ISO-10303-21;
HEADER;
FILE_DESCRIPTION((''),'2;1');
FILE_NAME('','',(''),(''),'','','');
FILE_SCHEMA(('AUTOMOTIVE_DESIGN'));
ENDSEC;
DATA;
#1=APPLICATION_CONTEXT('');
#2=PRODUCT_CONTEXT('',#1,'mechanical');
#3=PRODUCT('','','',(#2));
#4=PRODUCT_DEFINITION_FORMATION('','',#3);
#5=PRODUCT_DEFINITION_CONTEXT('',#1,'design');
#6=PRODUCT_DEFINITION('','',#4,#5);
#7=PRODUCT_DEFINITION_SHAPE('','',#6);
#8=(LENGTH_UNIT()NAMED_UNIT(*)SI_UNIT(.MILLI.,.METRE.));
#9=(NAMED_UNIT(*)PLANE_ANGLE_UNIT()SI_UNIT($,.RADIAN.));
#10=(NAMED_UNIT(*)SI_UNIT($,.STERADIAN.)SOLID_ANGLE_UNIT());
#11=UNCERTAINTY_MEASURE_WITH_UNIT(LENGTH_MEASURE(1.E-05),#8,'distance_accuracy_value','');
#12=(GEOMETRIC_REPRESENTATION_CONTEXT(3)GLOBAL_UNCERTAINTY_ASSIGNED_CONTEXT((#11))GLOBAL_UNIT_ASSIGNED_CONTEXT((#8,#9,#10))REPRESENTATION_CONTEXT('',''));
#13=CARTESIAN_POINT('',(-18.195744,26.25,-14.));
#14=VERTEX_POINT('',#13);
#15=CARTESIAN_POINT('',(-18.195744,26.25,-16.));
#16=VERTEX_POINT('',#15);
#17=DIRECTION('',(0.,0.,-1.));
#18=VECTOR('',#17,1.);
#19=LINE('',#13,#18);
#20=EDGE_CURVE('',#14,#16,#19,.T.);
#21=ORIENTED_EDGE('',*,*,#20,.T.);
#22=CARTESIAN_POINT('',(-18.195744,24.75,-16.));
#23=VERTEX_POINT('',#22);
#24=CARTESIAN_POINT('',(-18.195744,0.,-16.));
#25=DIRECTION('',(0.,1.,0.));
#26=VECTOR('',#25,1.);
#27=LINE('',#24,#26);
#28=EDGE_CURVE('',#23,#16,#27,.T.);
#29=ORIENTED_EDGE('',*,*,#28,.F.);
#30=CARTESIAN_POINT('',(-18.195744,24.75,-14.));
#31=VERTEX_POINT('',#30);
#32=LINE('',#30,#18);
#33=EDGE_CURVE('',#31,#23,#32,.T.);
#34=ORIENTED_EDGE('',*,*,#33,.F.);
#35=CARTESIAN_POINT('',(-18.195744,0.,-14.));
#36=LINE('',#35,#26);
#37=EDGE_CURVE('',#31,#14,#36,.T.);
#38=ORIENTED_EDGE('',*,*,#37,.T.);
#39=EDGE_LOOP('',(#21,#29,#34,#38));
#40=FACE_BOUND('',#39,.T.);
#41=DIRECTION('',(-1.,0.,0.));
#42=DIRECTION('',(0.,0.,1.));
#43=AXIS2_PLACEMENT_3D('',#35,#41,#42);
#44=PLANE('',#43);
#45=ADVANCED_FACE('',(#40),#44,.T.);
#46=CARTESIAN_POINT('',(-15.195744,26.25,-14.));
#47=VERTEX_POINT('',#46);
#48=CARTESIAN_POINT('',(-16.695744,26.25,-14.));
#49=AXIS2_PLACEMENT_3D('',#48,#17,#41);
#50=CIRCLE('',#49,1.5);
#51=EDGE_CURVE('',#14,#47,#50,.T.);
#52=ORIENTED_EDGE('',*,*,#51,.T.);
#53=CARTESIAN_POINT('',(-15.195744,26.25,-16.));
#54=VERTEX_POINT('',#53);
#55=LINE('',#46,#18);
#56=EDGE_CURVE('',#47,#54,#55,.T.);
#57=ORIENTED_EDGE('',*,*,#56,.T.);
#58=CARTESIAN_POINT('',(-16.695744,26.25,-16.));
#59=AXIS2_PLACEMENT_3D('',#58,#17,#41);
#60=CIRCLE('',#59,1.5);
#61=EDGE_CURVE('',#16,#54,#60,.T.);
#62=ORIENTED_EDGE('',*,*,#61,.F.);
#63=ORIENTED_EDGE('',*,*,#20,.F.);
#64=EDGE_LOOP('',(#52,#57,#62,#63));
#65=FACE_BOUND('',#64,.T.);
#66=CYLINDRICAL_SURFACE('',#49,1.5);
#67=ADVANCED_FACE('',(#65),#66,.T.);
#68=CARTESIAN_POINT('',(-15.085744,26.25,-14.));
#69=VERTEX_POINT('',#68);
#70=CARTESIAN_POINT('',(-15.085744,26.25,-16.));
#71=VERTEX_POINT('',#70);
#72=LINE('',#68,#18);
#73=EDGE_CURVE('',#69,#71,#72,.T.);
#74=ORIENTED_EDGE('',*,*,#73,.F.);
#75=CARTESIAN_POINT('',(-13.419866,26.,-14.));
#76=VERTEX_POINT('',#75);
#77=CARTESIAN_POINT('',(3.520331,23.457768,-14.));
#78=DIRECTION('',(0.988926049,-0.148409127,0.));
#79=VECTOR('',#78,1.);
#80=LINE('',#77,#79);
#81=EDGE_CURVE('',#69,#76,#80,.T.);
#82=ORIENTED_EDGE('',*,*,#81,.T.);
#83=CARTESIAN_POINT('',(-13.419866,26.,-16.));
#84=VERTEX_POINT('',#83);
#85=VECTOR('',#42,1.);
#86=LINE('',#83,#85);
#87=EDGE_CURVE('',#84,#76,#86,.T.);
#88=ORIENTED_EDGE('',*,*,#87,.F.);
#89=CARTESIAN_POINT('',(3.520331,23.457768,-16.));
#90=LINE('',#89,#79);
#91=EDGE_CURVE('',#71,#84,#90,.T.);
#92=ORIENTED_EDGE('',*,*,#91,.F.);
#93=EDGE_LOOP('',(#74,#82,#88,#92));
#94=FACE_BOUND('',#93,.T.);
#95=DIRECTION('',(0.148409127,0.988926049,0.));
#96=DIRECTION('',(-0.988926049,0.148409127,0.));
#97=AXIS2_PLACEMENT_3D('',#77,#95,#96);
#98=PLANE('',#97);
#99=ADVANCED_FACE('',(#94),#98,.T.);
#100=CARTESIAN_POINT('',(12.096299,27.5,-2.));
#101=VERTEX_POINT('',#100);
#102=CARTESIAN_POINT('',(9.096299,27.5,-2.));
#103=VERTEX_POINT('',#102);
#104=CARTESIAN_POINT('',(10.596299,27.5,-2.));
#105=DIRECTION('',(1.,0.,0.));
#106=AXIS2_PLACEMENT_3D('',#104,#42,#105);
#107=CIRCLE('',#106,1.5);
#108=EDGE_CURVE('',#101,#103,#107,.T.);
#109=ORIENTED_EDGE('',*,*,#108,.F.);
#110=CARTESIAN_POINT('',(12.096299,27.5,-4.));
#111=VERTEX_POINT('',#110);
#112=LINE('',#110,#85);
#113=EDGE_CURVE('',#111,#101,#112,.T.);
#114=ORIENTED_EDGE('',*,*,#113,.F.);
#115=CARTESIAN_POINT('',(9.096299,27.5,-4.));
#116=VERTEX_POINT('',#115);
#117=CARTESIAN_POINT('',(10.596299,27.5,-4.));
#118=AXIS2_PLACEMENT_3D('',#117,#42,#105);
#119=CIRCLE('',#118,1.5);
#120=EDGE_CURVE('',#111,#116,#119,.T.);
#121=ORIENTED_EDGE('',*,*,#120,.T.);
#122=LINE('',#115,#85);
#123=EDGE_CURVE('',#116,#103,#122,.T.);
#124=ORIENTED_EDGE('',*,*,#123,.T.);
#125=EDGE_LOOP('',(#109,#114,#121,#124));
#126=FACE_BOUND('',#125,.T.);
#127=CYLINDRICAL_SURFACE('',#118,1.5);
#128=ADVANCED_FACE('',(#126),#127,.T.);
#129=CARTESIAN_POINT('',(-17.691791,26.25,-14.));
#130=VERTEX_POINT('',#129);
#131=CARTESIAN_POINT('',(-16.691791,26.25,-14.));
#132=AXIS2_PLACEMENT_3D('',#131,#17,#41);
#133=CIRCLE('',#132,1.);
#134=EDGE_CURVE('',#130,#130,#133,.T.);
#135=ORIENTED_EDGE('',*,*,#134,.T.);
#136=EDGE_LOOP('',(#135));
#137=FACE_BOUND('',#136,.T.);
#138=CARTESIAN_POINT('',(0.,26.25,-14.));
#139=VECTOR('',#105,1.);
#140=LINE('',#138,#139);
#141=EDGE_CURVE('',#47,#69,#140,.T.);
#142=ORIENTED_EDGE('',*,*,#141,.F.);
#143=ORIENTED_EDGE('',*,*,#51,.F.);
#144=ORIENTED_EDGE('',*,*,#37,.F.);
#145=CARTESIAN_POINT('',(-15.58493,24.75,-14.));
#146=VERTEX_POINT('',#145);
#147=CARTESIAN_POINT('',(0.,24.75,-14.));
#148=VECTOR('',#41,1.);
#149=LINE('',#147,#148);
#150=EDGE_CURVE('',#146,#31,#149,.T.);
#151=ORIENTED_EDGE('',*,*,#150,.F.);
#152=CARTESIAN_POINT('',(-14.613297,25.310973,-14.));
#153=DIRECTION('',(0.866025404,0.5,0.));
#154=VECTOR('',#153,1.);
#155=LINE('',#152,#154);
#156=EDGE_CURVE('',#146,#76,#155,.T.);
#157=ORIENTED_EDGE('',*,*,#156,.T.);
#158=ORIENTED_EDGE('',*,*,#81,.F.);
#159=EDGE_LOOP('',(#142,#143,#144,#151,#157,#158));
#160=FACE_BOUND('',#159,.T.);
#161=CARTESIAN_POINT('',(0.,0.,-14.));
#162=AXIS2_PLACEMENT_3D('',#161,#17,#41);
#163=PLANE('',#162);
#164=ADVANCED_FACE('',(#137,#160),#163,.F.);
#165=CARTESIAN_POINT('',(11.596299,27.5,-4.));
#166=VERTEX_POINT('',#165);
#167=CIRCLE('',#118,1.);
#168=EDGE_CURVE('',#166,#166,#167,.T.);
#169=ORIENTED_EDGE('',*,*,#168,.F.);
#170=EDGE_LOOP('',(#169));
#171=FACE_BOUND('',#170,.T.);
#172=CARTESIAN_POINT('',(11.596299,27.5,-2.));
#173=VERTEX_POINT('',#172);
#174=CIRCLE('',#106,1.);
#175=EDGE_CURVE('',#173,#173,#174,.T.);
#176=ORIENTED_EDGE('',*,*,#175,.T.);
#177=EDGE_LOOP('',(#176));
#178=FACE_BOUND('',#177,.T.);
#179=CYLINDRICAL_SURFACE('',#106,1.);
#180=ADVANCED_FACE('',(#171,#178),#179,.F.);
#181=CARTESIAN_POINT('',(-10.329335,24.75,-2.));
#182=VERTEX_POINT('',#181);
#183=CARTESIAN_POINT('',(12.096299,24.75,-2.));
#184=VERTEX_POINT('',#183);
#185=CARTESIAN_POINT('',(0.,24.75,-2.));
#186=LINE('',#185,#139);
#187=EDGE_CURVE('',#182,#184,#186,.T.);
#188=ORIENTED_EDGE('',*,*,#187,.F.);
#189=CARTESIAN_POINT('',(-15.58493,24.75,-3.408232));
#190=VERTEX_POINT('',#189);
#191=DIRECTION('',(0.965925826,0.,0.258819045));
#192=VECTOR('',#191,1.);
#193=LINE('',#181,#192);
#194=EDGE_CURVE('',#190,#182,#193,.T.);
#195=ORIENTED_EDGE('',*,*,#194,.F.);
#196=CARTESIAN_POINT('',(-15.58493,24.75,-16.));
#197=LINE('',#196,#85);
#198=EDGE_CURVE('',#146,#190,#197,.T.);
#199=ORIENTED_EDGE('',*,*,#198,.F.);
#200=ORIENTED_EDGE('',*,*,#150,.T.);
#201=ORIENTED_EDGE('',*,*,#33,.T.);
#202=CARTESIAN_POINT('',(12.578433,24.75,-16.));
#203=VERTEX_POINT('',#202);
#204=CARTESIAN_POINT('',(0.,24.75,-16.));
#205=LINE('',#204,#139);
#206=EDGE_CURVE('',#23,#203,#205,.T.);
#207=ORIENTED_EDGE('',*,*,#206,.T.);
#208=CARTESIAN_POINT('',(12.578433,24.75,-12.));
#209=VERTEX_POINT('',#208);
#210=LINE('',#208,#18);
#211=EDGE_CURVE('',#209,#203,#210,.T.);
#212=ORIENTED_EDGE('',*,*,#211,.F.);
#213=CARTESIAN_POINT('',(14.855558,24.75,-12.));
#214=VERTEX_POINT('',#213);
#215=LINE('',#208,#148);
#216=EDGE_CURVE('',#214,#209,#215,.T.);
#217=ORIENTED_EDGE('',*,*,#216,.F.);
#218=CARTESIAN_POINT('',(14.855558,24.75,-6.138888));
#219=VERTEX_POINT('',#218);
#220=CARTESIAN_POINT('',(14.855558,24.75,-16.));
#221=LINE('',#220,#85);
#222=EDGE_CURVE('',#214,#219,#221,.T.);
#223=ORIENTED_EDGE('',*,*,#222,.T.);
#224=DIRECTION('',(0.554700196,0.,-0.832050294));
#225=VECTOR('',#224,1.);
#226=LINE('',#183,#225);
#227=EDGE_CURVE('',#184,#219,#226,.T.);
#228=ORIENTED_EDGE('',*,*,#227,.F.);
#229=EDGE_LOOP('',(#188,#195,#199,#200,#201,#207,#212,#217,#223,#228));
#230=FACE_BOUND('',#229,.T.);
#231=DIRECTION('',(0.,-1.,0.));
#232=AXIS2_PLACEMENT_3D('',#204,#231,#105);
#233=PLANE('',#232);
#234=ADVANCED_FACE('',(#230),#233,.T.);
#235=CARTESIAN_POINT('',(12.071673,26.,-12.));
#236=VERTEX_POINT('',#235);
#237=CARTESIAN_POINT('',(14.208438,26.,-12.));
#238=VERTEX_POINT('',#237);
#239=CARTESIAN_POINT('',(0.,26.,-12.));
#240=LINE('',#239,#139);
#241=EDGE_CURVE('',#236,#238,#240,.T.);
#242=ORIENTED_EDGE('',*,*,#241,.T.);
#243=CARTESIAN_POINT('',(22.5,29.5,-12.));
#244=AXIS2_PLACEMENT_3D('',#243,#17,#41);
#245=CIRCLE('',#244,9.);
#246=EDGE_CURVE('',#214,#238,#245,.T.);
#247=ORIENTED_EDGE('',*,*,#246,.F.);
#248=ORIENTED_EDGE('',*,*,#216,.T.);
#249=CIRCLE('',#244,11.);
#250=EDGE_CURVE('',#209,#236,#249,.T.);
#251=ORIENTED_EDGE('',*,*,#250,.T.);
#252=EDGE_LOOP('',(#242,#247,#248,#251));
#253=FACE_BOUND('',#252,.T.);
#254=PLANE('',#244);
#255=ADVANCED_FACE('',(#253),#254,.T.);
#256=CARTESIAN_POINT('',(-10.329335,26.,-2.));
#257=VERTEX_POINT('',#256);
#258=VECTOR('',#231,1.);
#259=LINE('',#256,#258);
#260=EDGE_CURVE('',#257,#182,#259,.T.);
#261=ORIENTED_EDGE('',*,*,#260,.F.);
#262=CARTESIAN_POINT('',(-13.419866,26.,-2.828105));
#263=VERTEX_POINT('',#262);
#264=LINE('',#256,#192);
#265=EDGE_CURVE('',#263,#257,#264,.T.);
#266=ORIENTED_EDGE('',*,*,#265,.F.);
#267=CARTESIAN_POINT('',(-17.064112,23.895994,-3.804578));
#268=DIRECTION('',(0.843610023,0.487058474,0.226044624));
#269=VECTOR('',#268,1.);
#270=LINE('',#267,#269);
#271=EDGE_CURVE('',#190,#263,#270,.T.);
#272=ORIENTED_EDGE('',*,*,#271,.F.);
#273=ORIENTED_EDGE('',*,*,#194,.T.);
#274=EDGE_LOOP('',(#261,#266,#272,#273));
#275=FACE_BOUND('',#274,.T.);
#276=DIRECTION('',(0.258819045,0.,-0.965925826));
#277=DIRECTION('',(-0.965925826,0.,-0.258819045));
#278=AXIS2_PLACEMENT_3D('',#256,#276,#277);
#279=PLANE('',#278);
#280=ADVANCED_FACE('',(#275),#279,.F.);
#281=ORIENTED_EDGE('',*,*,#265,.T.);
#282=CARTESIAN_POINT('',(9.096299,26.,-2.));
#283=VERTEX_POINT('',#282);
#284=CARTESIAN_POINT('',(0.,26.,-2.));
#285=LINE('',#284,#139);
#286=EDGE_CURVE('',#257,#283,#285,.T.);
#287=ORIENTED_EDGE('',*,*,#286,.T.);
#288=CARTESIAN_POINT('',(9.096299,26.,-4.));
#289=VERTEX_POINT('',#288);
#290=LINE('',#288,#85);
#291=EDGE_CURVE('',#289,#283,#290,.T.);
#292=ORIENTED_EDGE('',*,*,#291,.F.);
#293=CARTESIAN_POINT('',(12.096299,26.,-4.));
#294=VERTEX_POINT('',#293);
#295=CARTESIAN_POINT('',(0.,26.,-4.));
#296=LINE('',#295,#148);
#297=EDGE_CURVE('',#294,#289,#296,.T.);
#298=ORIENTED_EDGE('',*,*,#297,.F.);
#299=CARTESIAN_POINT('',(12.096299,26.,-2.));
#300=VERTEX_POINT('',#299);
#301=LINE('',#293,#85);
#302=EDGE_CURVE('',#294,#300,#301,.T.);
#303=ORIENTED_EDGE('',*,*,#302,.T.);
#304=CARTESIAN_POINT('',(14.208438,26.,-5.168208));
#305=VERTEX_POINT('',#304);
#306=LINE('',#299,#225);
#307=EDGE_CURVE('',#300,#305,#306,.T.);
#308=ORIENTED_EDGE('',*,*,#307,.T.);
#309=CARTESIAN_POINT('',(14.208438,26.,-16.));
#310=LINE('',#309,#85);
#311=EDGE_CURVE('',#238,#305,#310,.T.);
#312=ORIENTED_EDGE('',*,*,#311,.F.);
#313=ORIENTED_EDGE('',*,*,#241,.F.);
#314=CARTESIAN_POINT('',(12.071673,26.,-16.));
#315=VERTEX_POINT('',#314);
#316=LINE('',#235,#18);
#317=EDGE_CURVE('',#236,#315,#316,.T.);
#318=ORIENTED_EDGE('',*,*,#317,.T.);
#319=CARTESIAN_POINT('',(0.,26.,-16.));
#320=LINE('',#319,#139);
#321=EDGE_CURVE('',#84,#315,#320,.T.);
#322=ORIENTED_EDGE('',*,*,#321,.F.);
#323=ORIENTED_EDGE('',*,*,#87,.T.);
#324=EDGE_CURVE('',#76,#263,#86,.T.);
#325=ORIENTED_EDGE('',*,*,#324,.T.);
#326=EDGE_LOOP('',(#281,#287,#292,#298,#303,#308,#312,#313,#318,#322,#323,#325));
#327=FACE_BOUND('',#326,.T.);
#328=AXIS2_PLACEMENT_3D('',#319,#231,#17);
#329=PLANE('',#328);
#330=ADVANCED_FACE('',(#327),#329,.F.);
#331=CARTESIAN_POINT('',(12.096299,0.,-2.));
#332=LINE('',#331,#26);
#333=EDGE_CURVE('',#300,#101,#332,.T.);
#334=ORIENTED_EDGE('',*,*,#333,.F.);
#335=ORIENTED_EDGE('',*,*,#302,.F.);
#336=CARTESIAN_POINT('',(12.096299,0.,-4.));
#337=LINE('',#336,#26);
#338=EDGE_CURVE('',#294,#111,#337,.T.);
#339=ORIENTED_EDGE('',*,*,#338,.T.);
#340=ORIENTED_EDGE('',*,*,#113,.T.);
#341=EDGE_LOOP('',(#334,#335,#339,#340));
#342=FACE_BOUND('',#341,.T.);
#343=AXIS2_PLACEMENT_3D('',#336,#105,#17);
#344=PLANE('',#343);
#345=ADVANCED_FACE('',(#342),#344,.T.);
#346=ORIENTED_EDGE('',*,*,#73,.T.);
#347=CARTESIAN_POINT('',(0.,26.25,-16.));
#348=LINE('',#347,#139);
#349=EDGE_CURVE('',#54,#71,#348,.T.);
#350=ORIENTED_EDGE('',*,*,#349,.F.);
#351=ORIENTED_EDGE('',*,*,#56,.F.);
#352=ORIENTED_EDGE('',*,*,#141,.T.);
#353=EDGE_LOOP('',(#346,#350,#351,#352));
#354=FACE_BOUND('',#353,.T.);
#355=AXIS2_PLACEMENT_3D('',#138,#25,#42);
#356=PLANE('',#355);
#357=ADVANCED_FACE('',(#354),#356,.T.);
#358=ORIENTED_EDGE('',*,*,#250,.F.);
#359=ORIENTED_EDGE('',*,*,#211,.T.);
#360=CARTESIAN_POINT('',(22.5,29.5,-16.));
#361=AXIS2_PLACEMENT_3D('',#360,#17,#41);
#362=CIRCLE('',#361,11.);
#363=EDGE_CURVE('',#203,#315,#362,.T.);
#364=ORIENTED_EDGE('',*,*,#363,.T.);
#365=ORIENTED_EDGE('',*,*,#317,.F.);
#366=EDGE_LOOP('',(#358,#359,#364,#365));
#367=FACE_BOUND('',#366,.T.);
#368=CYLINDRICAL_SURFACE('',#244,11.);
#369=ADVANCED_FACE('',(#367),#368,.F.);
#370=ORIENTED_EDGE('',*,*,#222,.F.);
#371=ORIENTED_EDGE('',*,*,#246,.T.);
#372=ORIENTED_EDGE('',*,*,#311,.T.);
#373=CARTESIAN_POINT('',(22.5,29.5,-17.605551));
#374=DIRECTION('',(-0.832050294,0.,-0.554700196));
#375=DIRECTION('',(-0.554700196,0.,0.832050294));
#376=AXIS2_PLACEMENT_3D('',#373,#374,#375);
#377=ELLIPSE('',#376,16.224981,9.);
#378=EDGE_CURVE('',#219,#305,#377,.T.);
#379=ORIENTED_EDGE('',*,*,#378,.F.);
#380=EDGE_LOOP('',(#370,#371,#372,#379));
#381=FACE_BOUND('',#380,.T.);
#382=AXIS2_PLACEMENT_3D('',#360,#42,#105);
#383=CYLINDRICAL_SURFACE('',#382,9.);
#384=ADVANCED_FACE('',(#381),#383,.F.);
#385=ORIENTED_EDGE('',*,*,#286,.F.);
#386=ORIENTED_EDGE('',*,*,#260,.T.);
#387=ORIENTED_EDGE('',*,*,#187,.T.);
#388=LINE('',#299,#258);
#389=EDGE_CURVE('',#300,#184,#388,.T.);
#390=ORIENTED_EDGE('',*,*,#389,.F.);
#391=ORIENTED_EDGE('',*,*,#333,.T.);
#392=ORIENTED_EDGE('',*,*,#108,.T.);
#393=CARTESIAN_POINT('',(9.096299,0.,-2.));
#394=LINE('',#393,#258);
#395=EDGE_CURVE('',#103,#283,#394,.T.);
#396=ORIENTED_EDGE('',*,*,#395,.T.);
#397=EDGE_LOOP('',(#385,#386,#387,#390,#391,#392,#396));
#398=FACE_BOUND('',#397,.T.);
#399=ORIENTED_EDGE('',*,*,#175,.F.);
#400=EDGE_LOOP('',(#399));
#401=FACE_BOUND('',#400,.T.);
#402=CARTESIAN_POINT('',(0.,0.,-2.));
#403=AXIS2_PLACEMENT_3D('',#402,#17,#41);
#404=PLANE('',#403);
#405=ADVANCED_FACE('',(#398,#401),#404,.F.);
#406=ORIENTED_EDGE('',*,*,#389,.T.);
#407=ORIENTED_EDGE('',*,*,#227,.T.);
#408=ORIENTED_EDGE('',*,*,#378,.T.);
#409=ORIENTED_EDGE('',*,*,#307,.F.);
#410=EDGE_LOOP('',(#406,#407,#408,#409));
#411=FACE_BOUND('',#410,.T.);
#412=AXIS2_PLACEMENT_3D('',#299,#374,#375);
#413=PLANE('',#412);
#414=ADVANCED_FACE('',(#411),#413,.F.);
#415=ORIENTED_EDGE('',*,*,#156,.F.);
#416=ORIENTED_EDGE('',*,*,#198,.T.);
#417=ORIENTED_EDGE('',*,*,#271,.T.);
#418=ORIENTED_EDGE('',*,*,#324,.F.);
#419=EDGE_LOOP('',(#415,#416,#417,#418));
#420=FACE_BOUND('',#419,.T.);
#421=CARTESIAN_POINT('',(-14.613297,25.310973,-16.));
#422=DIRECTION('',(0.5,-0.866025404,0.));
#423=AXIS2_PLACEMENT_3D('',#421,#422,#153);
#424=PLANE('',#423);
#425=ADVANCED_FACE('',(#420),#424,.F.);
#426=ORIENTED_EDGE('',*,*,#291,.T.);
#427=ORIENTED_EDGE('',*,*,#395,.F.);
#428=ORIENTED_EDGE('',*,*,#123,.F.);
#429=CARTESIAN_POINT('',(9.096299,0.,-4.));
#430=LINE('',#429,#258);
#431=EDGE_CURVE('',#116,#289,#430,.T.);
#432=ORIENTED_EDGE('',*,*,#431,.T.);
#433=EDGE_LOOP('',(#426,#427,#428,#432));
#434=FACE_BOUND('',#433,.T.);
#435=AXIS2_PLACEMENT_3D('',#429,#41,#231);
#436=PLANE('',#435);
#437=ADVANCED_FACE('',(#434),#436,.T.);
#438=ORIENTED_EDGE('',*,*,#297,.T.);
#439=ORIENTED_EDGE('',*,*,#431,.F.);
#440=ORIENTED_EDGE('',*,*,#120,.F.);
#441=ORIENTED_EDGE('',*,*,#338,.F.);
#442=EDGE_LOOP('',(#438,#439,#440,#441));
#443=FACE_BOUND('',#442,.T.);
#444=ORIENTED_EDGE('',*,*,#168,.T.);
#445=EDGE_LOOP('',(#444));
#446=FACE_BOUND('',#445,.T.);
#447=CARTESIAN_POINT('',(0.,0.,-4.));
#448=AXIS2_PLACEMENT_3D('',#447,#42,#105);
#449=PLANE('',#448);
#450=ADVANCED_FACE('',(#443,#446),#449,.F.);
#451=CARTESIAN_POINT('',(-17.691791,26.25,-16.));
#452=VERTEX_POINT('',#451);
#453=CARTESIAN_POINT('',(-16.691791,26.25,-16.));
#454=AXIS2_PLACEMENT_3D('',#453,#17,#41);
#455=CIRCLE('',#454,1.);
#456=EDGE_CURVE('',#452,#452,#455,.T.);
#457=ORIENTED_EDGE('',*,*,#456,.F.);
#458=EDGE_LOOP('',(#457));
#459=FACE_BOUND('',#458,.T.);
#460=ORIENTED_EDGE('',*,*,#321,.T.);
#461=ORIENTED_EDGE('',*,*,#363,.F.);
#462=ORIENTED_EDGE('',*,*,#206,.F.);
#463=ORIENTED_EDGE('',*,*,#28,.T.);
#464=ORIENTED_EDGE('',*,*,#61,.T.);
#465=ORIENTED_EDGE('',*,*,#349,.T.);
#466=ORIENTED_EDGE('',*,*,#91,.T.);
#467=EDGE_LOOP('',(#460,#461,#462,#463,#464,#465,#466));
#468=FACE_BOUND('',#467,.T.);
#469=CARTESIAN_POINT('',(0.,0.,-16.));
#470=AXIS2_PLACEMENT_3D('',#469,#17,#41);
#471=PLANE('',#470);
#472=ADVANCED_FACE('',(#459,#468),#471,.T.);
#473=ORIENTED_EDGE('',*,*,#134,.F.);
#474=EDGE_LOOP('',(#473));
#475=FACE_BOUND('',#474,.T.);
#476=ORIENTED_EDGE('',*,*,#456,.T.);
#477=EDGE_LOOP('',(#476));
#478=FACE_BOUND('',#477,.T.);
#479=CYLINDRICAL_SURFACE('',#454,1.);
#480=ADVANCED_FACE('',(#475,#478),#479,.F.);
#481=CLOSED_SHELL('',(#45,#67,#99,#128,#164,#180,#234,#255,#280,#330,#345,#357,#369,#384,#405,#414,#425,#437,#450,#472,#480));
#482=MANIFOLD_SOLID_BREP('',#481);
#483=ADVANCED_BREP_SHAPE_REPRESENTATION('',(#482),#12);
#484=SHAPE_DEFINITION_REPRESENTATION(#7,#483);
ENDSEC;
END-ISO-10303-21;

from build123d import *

# Parameters (mm, degrees)
EXTRUDE_1_DEPTH     = 14
CUT_EXTRUDE_1_DEPTH = 4
CUT_EXTRUDE_2_DEPTH = 23.370796565
EXTRUDE_2_DEPTH     = 2
EXTRUDE_3_DEPTH     = 2
MM_1_D              = 2
MM_2_D              = 2


with BuildPart() as part:
    # 草图2 → 凸台-拉伸1 (new body)
    with BuildSketch(Plane(origin=(0, 0, -2), x_dir=(-1, 0, 0), z_dir=(0, 0, -1))):
        with BuildLine():
            Line((-14.855557574, 24.75), (15.584929867, 24.75))
            Line((15.584929867, 24.75), (13.419866357, 26))
            Line((13.419866357, 26), (-14.208438024, 26))
            ThreePointArc((-14.208438024, 26), (-14.507523283, 25.36232965), (-14.855557574, 24.75))
        make_face()
    extrude(amount=EXTRUDE_1_DEPTH)

    # 草图3 → 切除-拉伸1 (cut)
    with BuildSketch(Plane(origin=(0, 0, -16), x_dir=(-1, 0, 0), z_dir=(0, 0, -1))):
        with BuildLine():
            Line((-12.578432584, 24.75), (-17.35825905, 24.75))
            Line((-17.35825905, 24.75), (-16.062803405, 32.25))
            Line((-16.062803405, 32.25), (-11.849295798, 32.25))
            ThreePointArc((-11.849295798, 32.25), (-11.55161702, 28.435617497), (-12.578432584, 24.75))
        make_face()
    extrude(amount=-CUT_EXTRUDE_1_DEPTH, mode=Mode.SUBTRACT)

    # 草图4 → 切除-拉伸2 (cut, through all)
    with BuildSketch(Plane.XZ.offset(-24.75)):
        Polygon((12.09629915, -2), (15.429632483, -7), (15.429632483, -2), align=None)
        Polygon((-10.329335075, -2), (-15.584929867, -3.40823238), (-15.584929867, -2), align=None)
    extrude(amount=-CUT_EXTRUDE_2_DEPTH, mode=Mode.SUBTRACT)

    # 草图6 → 凸台-拉伸2 (add)
    with BuildSketch(Plane(origin=(0, 0, -16), x_dir=(-1, 0, 0), z_dir=(0, 0, -1))):
        with BuildLine():
            Line((13.419866357, 26), (15.584929867, 24.75))
            Line((15.584929867, 24.75), (16.695744446, 24.75))
            ThreePointArc((16.695744446, 24.75), (15.635084274, 25.189339828), (15.195744446, 26.25))
            Line((15.195744446, 26.25), (15.085744446, 26.25))
            Line((15.085744446, 26.25), (13.419866357, 26))
        make_face()
        with BuildLine():
            ThreePointArc((15.195744446, 26.25), (15.635084274, 25.189339828), (16.695744446, 24.75))
            ThreePointArc((16.695744446, 24.75), (17.756404617, 25.189339828), (18.195744446, 26.25))
            Line((18.195744446, 26.25), (15.195744446, 26.25))
        make_face()
        with BuildLine():
            ThreePointArc((18.195744446, 26.25), (16.695744446, 27.75), (15.195744446, 26.25))
            Line((15.195744446, 26.25), (18.195744446, 26.25))
        make_face()
        with BuildLine():
            ThreePointArc((18.195744446, 26.25), (17.756404617, 25.189339828), (16.695744446, 24.75))
            Line((16.695744446, 24.75), (18.195744446, 24.75))
            Line((18.195744446, 24.75), (18.195744446, 26.25))
        make_face()
    extrude(amount=-EXTRUDE_2_DEPTH)

    # 草图7 → 凸台-拉伸3 (add)
    with BuildSketch(Plane.XY.offset(-2)):
        with BuildLine():
            Line((10.59629915, 26), (12.09629915, 26))
            Line((12.09629915, 26), (12.09629915, 27.5))
            ThreePointArc((12.09629915, 27.5), (11.656959321, 26.439339828), (10.59629915, 26))
        make_face()
        with BuildLine():
            Line((9.09629915, 26), (10.59629915, 26))
            ThreePointArc((10.59629915, 26), (9.535638978, 26.439339828), (9.09629915, 27.5))
            Line((9.09629915, 27.5), (9.09629915, 26))
        make_face()
        with BuildLine():
            ThreePointArc((10.59629915, 26), (11.656959321, 26.439339828), (12.09629915, 27.5))
            Line((12.09629915, 27.5), (9.09629915, 27.5))
            ThreePointArc((9.09629915, 27.5), (9.535638978, 26.439339828), (10.59629915, 26))
        make_face()
        with BuildLine():
            Line((9.09629915, 27.5), (12.09629915, 27.5))
            ThreePointArc((12.09629915, 27.5), (10.59629915, 29), (9.09629915, 27.5))
        make_face()
    extrude(amount=-EXTRUDE_3_DEPTH)

    # 大小mm 暗销孔1 (through all)
    with Locations(Plane(origin=(0, 0, -16), x_dir=(-1, 0, 0), z_dir=(0, 0, -1))):
        with Locations((16.691791053, 26.25)):
            Hole(MM_1_D / 2)

    # 大小mm 暗销孔2 (through all)
    with Locations(Plane.XY.offset(-2)):
        with Locations((10.59629915, 27.5)):
            Hole(MM_2_D / 2)


solid = part.part
